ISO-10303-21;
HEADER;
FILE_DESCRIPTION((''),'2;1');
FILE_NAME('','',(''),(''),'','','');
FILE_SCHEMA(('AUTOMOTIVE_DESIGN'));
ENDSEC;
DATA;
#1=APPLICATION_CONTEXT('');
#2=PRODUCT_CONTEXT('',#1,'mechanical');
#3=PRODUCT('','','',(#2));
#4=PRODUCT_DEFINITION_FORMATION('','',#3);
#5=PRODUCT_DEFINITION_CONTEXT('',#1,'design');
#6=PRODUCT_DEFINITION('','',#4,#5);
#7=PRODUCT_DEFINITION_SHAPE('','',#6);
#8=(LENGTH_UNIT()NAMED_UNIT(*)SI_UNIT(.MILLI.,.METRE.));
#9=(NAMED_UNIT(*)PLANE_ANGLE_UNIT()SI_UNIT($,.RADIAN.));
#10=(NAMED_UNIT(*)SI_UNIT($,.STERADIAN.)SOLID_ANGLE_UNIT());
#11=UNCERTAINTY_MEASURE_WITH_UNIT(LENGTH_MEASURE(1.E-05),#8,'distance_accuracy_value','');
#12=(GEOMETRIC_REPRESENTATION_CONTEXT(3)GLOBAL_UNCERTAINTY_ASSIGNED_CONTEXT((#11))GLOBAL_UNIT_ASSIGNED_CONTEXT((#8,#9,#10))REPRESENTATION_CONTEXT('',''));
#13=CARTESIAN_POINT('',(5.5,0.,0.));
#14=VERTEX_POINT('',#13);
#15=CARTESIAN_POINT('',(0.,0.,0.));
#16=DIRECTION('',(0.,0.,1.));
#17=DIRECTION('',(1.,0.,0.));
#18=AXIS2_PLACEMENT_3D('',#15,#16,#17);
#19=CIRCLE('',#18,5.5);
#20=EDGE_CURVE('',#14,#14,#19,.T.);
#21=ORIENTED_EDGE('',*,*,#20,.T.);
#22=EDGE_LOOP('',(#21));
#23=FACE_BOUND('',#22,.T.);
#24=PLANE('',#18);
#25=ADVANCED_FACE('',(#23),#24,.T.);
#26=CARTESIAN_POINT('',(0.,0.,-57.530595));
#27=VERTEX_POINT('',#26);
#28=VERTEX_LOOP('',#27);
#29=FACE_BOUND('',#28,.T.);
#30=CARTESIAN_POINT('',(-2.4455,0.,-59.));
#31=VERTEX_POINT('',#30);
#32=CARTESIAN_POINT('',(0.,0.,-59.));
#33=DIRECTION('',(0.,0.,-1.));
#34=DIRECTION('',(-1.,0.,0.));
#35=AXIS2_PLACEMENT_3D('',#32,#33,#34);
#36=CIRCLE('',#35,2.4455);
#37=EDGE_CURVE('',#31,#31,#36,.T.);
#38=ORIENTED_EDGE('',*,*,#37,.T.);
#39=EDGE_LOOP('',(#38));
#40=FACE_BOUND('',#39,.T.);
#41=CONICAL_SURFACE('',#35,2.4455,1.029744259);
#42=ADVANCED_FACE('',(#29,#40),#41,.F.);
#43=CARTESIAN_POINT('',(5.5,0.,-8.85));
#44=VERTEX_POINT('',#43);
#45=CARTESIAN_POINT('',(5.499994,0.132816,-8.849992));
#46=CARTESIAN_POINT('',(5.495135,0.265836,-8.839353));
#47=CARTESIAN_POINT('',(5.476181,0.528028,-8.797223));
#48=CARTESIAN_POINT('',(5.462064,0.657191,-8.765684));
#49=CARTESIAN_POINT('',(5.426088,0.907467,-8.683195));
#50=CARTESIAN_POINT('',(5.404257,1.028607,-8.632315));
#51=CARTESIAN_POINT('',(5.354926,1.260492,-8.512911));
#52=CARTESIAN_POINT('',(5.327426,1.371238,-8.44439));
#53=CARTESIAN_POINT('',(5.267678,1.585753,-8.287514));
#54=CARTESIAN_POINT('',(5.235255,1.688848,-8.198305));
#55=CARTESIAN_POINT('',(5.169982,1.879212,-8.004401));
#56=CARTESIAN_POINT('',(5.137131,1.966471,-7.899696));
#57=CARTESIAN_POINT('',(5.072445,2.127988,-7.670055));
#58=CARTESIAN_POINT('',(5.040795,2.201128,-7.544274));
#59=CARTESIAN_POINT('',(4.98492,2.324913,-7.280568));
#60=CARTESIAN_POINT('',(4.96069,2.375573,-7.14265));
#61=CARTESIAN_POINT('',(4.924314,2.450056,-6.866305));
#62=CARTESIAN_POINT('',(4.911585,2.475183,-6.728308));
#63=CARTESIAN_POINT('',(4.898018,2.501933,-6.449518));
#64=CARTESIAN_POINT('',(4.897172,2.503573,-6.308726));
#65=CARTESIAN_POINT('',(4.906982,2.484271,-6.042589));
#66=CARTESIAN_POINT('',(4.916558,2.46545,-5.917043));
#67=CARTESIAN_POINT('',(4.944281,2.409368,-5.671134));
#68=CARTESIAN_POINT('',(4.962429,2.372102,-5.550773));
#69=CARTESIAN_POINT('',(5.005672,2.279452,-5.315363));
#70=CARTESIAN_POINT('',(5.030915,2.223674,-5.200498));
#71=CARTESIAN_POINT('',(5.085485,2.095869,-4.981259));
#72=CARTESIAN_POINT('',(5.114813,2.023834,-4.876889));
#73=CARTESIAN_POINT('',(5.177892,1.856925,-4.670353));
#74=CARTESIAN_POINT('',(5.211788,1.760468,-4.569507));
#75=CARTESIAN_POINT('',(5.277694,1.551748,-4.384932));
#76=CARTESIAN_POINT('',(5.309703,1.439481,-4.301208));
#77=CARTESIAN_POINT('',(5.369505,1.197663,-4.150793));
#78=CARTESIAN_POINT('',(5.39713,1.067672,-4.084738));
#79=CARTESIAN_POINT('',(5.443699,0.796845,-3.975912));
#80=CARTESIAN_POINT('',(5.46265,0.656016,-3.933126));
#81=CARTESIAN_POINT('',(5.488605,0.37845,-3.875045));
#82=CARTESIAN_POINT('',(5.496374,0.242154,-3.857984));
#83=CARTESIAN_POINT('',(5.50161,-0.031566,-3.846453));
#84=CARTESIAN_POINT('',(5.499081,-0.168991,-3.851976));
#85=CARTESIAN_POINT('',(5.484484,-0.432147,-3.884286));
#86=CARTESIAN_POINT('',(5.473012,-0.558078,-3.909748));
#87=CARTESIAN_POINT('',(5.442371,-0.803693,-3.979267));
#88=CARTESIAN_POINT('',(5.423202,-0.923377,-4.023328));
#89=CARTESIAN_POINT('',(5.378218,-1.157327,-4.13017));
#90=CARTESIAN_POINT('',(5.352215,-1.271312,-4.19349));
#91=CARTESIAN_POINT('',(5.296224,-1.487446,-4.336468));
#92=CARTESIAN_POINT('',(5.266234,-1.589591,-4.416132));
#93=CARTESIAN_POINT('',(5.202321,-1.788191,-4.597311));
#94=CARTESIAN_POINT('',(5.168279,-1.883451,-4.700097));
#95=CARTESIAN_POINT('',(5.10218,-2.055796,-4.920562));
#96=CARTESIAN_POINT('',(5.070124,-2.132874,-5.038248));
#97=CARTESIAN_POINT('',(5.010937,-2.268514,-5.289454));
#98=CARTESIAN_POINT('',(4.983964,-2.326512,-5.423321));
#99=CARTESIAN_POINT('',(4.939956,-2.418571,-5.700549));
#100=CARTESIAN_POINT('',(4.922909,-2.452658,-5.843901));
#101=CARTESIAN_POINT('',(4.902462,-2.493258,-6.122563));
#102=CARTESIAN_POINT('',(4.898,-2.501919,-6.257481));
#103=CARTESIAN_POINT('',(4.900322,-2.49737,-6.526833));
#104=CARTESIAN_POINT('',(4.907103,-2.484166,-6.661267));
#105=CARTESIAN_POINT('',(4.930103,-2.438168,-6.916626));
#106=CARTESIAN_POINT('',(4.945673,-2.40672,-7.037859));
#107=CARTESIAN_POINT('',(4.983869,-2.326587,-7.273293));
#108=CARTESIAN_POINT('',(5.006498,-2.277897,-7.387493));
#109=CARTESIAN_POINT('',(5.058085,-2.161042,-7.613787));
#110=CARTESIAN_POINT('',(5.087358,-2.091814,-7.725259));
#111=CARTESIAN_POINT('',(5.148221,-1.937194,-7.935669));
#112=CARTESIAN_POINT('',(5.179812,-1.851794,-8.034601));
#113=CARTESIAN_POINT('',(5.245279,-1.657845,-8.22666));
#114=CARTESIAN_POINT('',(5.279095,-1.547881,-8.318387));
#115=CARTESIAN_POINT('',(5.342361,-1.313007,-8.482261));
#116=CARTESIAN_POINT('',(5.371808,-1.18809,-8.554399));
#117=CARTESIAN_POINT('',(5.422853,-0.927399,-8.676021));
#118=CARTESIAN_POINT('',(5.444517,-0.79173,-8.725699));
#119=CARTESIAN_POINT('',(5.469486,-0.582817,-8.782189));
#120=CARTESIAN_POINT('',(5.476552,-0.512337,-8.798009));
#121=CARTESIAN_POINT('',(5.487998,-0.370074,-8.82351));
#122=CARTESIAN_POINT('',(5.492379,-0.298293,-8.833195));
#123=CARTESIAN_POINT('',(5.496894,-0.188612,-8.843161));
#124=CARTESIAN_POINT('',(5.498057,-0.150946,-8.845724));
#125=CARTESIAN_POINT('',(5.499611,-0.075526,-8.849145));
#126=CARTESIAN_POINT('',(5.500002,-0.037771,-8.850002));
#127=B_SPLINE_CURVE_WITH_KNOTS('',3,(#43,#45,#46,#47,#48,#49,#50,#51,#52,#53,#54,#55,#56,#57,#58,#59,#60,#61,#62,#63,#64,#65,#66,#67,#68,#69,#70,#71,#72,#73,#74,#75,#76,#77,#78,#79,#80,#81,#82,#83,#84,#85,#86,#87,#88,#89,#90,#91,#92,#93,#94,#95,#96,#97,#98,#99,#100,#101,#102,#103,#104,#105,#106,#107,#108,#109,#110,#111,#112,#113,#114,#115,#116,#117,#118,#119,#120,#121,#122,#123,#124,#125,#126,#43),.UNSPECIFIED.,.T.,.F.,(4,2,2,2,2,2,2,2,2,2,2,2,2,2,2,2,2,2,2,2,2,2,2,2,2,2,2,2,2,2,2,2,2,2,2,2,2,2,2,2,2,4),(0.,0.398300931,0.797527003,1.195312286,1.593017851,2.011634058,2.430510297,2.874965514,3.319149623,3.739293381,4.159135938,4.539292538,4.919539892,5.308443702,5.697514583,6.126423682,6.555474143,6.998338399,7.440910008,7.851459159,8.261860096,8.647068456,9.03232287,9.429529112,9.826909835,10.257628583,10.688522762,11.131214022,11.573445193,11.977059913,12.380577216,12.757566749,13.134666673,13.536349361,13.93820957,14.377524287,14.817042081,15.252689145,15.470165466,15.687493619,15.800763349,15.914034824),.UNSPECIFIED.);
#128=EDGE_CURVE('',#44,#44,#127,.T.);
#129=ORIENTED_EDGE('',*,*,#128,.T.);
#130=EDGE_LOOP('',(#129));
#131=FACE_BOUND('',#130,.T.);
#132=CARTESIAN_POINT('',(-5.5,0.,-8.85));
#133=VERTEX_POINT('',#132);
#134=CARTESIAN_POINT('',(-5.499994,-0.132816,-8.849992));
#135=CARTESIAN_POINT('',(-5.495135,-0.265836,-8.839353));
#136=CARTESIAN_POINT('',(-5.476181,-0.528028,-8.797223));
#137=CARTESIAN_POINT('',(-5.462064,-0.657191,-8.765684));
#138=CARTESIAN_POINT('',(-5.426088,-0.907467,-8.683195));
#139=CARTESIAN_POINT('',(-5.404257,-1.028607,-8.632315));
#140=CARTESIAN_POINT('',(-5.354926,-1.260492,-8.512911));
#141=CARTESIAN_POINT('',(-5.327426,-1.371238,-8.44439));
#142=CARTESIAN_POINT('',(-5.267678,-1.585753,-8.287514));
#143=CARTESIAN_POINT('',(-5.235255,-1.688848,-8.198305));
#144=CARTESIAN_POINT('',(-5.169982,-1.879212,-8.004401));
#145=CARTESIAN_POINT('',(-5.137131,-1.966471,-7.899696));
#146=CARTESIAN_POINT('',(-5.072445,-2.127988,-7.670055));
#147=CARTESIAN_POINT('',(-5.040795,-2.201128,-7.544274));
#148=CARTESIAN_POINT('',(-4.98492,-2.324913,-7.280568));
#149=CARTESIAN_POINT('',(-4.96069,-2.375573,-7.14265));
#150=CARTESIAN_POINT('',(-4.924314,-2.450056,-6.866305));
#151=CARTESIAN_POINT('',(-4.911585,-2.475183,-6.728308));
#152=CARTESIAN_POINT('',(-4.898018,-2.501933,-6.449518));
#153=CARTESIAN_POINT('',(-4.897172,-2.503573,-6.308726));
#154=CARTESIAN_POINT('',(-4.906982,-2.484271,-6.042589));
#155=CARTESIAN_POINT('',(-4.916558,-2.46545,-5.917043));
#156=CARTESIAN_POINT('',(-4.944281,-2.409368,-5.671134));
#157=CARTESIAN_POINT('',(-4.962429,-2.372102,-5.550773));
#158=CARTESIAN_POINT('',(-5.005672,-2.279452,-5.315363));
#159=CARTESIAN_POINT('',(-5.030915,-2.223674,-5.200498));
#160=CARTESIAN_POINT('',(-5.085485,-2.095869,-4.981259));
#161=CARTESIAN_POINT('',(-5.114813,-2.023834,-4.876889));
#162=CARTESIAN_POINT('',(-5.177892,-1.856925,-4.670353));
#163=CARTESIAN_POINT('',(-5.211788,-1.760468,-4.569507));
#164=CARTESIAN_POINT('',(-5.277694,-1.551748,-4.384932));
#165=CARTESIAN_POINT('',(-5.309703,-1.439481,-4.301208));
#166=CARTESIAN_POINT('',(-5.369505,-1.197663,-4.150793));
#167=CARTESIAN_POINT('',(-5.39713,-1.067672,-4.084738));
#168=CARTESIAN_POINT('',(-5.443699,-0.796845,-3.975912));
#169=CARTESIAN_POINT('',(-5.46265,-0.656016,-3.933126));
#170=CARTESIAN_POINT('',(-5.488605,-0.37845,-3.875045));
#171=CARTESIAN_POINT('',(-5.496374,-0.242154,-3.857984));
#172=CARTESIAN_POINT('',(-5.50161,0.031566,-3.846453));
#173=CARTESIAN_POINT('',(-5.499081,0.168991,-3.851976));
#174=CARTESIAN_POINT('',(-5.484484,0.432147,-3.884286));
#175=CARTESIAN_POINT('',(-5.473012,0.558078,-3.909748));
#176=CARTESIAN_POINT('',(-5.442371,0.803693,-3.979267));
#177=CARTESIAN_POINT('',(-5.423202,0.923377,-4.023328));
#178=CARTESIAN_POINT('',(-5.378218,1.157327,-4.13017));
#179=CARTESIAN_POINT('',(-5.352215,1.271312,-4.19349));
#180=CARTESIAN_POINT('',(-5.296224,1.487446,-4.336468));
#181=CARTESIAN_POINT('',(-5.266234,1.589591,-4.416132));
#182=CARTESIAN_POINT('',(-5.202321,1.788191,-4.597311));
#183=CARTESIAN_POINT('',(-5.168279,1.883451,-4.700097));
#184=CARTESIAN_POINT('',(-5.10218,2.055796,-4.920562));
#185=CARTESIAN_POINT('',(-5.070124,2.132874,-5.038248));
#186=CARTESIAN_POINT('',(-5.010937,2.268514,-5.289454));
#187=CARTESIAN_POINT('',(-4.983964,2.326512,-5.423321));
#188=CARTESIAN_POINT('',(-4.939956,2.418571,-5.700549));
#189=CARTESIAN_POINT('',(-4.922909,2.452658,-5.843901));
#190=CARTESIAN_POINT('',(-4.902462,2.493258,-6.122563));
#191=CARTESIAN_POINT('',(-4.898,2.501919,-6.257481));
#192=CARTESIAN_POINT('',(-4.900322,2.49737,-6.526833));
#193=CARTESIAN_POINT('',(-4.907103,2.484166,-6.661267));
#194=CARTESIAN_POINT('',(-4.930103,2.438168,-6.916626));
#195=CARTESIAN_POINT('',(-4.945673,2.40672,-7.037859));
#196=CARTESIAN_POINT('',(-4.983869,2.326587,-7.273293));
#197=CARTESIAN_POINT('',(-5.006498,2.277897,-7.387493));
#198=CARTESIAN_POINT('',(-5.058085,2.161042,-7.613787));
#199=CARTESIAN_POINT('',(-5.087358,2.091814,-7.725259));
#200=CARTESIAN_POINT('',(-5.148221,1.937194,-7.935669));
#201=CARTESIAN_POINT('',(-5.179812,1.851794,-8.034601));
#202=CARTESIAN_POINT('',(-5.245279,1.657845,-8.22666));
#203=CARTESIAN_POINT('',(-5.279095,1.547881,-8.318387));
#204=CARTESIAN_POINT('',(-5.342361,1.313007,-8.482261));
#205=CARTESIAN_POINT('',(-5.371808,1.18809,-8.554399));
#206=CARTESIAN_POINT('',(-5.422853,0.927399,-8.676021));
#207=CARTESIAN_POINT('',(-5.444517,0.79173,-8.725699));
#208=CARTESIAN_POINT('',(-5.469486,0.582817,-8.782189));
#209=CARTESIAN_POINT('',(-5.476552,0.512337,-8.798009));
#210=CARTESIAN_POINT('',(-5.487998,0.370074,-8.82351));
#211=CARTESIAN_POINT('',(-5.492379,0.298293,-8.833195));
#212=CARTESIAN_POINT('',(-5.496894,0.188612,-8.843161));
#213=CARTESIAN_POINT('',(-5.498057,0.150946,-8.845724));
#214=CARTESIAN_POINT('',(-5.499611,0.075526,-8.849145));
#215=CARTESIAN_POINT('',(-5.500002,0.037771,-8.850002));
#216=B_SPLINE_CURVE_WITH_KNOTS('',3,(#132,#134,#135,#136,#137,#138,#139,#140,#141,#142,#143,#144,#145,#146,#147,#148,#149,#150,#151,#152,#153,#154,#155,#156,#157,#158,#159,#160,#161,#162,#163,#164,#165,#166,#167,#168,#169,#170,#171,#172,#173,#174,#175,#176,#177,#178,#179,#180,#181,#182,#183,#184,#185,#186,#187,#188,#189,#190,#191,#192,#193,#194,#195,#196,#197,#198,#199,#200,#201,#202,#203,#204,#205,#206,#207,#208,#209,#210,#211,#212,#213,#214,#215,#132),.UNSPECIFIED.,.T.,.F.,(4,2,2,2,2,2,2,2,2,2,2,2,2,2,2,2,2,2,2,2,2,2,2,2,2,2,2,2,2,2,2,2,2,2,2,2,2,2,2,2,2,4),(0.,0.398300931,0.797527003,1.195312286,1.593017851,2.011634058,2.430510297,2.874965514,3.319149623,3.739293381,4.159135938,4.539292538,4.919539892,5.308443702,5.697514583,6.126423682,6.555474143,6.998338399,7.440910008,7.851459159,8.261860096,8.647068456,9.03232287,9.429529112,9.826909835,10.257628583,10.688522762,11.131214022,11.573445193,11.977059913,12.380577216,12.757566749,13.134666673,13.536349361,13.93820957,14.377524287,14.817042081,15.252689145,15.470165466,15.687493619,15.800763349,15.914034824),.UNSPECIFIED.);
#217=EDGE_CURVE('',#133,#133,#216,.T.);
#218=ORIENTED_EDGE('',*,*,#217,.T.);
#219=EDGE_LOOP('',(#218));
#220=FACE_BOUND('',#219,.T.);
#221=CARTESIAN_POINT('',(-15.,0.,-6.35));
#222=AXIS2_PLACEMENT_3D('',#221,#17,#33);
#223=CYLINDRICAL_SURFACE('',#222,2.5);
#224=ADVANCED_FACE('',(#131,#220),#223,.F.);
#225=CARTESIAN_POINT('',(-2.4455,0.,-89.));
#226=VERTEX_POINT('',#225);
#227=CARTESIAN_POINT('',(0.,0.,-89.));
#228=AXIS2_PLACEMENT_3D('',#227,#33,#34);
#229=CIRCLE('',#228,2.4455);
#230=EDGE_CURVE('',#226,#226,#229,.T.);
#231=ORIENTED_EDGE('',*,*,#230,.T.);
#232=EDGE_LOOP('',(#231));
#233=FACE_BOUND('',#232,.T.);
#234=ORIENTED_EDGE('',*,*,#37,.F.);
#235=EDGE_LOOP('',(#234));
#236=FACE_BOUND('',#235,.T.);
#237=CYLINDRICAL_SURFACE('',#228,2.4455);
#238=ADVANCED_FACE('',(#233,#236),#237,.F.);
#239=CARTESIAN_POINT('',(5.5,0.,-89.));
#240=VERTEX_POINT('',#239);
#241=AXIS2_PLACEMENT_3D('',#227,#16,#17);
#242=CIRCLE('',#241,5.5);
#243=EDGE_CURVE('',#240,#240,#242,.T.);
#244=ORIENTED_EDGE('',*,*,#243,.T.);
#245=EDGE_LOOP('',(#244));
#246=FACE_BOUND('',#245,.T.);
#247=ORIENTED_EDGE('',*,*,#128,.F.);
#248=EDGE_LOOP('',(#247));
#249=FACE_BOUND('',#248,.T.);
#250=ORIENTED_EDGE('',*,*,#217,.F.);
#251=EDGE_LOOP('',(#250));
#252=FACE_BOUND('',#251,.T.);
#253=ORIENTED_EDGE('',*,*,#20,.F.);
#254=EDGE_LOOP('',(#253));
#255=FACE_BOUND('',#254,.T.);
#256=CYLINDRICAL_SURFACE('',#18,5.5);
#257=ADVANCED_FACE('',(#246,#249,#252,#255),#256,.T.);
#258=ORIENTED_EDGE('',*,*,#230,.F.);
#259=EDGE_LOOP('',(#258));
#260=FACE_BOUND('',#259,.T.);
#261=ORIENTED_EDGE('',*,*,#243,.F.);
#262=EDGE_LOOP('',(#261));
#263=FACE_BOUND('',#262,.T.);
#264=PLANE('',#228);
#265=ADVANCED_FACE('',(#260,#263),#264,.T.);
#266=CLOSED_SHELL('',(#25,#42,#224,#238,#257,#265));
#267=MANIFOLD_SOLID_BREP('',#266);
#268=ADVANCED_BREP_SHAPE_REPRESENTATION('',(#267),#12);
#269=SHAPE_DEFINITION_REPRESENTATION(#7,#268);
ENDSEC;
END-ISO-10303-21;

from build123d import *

# Parameters (mm, degrees)
SKETCH1_W             = 5.5
SKETCH1_H             = 89
SKETCH2_R             = 2.5
CUT_EXTRUDE1_DEPTH    = 15
M6_TAPPED_HOLE1_D     = 4.891
M6_TAPPED_HOLE1_DEPTH = 30
M6_TAPPED_HOLE1_TIP   = 1.469404644


with BuildPart() as part:
    # Sketch1 → Revolve1 (revolve)
    with BuildSketch(Plane(origin=(0, 0, 0), x_dir=(1, 0, 0), z_dir=(0, 1, 0))):
        with Locations((2.75, 44.5)):
            Rectangle(SKETCH1_W, SKETCH1_H)
    revolve(axis=Axis((0, 0, 0), (0, 0, -1)))

    # Sketch2 → Cut-Extrude1 (cut, symmetric)
    with BuildSketch(Plane(origin=(0, 0, 0), x_dir=(0, 0, -1), z_dir=(1, 0, 0))):
        with Locations((6.35, 0)):
            Circle(SKETCH2_R)
    extrude(amount=CUT_EXTRUDE1_DEPTH, both=True, mode=Mode.SUBTRACT)

    # M6 Tapped Hole1
    with Locations(Plane(origin=(0, 0, -89), x_dir=(-1, 0, 0), z_dir=(0, 0, -1))):
        with Locations((0, 0)):
            Hole(M6_TAPPED_HOLE1_D / 2, depth=M6_TAPPED_HOLE1_DEPTH)
            with Locations((0, 0, -(M6_TAPPED_HOLE1_DEPTH + M6_TAPPED_HOLE1_TIP / 2))):  # 118° drill point
                Cone(0, M6_TAPPED_HOLE1_D / 2, M6_TAPPED_HOLE1_TIP, mode=Mode.SUBTRACT)


solid = part.part
